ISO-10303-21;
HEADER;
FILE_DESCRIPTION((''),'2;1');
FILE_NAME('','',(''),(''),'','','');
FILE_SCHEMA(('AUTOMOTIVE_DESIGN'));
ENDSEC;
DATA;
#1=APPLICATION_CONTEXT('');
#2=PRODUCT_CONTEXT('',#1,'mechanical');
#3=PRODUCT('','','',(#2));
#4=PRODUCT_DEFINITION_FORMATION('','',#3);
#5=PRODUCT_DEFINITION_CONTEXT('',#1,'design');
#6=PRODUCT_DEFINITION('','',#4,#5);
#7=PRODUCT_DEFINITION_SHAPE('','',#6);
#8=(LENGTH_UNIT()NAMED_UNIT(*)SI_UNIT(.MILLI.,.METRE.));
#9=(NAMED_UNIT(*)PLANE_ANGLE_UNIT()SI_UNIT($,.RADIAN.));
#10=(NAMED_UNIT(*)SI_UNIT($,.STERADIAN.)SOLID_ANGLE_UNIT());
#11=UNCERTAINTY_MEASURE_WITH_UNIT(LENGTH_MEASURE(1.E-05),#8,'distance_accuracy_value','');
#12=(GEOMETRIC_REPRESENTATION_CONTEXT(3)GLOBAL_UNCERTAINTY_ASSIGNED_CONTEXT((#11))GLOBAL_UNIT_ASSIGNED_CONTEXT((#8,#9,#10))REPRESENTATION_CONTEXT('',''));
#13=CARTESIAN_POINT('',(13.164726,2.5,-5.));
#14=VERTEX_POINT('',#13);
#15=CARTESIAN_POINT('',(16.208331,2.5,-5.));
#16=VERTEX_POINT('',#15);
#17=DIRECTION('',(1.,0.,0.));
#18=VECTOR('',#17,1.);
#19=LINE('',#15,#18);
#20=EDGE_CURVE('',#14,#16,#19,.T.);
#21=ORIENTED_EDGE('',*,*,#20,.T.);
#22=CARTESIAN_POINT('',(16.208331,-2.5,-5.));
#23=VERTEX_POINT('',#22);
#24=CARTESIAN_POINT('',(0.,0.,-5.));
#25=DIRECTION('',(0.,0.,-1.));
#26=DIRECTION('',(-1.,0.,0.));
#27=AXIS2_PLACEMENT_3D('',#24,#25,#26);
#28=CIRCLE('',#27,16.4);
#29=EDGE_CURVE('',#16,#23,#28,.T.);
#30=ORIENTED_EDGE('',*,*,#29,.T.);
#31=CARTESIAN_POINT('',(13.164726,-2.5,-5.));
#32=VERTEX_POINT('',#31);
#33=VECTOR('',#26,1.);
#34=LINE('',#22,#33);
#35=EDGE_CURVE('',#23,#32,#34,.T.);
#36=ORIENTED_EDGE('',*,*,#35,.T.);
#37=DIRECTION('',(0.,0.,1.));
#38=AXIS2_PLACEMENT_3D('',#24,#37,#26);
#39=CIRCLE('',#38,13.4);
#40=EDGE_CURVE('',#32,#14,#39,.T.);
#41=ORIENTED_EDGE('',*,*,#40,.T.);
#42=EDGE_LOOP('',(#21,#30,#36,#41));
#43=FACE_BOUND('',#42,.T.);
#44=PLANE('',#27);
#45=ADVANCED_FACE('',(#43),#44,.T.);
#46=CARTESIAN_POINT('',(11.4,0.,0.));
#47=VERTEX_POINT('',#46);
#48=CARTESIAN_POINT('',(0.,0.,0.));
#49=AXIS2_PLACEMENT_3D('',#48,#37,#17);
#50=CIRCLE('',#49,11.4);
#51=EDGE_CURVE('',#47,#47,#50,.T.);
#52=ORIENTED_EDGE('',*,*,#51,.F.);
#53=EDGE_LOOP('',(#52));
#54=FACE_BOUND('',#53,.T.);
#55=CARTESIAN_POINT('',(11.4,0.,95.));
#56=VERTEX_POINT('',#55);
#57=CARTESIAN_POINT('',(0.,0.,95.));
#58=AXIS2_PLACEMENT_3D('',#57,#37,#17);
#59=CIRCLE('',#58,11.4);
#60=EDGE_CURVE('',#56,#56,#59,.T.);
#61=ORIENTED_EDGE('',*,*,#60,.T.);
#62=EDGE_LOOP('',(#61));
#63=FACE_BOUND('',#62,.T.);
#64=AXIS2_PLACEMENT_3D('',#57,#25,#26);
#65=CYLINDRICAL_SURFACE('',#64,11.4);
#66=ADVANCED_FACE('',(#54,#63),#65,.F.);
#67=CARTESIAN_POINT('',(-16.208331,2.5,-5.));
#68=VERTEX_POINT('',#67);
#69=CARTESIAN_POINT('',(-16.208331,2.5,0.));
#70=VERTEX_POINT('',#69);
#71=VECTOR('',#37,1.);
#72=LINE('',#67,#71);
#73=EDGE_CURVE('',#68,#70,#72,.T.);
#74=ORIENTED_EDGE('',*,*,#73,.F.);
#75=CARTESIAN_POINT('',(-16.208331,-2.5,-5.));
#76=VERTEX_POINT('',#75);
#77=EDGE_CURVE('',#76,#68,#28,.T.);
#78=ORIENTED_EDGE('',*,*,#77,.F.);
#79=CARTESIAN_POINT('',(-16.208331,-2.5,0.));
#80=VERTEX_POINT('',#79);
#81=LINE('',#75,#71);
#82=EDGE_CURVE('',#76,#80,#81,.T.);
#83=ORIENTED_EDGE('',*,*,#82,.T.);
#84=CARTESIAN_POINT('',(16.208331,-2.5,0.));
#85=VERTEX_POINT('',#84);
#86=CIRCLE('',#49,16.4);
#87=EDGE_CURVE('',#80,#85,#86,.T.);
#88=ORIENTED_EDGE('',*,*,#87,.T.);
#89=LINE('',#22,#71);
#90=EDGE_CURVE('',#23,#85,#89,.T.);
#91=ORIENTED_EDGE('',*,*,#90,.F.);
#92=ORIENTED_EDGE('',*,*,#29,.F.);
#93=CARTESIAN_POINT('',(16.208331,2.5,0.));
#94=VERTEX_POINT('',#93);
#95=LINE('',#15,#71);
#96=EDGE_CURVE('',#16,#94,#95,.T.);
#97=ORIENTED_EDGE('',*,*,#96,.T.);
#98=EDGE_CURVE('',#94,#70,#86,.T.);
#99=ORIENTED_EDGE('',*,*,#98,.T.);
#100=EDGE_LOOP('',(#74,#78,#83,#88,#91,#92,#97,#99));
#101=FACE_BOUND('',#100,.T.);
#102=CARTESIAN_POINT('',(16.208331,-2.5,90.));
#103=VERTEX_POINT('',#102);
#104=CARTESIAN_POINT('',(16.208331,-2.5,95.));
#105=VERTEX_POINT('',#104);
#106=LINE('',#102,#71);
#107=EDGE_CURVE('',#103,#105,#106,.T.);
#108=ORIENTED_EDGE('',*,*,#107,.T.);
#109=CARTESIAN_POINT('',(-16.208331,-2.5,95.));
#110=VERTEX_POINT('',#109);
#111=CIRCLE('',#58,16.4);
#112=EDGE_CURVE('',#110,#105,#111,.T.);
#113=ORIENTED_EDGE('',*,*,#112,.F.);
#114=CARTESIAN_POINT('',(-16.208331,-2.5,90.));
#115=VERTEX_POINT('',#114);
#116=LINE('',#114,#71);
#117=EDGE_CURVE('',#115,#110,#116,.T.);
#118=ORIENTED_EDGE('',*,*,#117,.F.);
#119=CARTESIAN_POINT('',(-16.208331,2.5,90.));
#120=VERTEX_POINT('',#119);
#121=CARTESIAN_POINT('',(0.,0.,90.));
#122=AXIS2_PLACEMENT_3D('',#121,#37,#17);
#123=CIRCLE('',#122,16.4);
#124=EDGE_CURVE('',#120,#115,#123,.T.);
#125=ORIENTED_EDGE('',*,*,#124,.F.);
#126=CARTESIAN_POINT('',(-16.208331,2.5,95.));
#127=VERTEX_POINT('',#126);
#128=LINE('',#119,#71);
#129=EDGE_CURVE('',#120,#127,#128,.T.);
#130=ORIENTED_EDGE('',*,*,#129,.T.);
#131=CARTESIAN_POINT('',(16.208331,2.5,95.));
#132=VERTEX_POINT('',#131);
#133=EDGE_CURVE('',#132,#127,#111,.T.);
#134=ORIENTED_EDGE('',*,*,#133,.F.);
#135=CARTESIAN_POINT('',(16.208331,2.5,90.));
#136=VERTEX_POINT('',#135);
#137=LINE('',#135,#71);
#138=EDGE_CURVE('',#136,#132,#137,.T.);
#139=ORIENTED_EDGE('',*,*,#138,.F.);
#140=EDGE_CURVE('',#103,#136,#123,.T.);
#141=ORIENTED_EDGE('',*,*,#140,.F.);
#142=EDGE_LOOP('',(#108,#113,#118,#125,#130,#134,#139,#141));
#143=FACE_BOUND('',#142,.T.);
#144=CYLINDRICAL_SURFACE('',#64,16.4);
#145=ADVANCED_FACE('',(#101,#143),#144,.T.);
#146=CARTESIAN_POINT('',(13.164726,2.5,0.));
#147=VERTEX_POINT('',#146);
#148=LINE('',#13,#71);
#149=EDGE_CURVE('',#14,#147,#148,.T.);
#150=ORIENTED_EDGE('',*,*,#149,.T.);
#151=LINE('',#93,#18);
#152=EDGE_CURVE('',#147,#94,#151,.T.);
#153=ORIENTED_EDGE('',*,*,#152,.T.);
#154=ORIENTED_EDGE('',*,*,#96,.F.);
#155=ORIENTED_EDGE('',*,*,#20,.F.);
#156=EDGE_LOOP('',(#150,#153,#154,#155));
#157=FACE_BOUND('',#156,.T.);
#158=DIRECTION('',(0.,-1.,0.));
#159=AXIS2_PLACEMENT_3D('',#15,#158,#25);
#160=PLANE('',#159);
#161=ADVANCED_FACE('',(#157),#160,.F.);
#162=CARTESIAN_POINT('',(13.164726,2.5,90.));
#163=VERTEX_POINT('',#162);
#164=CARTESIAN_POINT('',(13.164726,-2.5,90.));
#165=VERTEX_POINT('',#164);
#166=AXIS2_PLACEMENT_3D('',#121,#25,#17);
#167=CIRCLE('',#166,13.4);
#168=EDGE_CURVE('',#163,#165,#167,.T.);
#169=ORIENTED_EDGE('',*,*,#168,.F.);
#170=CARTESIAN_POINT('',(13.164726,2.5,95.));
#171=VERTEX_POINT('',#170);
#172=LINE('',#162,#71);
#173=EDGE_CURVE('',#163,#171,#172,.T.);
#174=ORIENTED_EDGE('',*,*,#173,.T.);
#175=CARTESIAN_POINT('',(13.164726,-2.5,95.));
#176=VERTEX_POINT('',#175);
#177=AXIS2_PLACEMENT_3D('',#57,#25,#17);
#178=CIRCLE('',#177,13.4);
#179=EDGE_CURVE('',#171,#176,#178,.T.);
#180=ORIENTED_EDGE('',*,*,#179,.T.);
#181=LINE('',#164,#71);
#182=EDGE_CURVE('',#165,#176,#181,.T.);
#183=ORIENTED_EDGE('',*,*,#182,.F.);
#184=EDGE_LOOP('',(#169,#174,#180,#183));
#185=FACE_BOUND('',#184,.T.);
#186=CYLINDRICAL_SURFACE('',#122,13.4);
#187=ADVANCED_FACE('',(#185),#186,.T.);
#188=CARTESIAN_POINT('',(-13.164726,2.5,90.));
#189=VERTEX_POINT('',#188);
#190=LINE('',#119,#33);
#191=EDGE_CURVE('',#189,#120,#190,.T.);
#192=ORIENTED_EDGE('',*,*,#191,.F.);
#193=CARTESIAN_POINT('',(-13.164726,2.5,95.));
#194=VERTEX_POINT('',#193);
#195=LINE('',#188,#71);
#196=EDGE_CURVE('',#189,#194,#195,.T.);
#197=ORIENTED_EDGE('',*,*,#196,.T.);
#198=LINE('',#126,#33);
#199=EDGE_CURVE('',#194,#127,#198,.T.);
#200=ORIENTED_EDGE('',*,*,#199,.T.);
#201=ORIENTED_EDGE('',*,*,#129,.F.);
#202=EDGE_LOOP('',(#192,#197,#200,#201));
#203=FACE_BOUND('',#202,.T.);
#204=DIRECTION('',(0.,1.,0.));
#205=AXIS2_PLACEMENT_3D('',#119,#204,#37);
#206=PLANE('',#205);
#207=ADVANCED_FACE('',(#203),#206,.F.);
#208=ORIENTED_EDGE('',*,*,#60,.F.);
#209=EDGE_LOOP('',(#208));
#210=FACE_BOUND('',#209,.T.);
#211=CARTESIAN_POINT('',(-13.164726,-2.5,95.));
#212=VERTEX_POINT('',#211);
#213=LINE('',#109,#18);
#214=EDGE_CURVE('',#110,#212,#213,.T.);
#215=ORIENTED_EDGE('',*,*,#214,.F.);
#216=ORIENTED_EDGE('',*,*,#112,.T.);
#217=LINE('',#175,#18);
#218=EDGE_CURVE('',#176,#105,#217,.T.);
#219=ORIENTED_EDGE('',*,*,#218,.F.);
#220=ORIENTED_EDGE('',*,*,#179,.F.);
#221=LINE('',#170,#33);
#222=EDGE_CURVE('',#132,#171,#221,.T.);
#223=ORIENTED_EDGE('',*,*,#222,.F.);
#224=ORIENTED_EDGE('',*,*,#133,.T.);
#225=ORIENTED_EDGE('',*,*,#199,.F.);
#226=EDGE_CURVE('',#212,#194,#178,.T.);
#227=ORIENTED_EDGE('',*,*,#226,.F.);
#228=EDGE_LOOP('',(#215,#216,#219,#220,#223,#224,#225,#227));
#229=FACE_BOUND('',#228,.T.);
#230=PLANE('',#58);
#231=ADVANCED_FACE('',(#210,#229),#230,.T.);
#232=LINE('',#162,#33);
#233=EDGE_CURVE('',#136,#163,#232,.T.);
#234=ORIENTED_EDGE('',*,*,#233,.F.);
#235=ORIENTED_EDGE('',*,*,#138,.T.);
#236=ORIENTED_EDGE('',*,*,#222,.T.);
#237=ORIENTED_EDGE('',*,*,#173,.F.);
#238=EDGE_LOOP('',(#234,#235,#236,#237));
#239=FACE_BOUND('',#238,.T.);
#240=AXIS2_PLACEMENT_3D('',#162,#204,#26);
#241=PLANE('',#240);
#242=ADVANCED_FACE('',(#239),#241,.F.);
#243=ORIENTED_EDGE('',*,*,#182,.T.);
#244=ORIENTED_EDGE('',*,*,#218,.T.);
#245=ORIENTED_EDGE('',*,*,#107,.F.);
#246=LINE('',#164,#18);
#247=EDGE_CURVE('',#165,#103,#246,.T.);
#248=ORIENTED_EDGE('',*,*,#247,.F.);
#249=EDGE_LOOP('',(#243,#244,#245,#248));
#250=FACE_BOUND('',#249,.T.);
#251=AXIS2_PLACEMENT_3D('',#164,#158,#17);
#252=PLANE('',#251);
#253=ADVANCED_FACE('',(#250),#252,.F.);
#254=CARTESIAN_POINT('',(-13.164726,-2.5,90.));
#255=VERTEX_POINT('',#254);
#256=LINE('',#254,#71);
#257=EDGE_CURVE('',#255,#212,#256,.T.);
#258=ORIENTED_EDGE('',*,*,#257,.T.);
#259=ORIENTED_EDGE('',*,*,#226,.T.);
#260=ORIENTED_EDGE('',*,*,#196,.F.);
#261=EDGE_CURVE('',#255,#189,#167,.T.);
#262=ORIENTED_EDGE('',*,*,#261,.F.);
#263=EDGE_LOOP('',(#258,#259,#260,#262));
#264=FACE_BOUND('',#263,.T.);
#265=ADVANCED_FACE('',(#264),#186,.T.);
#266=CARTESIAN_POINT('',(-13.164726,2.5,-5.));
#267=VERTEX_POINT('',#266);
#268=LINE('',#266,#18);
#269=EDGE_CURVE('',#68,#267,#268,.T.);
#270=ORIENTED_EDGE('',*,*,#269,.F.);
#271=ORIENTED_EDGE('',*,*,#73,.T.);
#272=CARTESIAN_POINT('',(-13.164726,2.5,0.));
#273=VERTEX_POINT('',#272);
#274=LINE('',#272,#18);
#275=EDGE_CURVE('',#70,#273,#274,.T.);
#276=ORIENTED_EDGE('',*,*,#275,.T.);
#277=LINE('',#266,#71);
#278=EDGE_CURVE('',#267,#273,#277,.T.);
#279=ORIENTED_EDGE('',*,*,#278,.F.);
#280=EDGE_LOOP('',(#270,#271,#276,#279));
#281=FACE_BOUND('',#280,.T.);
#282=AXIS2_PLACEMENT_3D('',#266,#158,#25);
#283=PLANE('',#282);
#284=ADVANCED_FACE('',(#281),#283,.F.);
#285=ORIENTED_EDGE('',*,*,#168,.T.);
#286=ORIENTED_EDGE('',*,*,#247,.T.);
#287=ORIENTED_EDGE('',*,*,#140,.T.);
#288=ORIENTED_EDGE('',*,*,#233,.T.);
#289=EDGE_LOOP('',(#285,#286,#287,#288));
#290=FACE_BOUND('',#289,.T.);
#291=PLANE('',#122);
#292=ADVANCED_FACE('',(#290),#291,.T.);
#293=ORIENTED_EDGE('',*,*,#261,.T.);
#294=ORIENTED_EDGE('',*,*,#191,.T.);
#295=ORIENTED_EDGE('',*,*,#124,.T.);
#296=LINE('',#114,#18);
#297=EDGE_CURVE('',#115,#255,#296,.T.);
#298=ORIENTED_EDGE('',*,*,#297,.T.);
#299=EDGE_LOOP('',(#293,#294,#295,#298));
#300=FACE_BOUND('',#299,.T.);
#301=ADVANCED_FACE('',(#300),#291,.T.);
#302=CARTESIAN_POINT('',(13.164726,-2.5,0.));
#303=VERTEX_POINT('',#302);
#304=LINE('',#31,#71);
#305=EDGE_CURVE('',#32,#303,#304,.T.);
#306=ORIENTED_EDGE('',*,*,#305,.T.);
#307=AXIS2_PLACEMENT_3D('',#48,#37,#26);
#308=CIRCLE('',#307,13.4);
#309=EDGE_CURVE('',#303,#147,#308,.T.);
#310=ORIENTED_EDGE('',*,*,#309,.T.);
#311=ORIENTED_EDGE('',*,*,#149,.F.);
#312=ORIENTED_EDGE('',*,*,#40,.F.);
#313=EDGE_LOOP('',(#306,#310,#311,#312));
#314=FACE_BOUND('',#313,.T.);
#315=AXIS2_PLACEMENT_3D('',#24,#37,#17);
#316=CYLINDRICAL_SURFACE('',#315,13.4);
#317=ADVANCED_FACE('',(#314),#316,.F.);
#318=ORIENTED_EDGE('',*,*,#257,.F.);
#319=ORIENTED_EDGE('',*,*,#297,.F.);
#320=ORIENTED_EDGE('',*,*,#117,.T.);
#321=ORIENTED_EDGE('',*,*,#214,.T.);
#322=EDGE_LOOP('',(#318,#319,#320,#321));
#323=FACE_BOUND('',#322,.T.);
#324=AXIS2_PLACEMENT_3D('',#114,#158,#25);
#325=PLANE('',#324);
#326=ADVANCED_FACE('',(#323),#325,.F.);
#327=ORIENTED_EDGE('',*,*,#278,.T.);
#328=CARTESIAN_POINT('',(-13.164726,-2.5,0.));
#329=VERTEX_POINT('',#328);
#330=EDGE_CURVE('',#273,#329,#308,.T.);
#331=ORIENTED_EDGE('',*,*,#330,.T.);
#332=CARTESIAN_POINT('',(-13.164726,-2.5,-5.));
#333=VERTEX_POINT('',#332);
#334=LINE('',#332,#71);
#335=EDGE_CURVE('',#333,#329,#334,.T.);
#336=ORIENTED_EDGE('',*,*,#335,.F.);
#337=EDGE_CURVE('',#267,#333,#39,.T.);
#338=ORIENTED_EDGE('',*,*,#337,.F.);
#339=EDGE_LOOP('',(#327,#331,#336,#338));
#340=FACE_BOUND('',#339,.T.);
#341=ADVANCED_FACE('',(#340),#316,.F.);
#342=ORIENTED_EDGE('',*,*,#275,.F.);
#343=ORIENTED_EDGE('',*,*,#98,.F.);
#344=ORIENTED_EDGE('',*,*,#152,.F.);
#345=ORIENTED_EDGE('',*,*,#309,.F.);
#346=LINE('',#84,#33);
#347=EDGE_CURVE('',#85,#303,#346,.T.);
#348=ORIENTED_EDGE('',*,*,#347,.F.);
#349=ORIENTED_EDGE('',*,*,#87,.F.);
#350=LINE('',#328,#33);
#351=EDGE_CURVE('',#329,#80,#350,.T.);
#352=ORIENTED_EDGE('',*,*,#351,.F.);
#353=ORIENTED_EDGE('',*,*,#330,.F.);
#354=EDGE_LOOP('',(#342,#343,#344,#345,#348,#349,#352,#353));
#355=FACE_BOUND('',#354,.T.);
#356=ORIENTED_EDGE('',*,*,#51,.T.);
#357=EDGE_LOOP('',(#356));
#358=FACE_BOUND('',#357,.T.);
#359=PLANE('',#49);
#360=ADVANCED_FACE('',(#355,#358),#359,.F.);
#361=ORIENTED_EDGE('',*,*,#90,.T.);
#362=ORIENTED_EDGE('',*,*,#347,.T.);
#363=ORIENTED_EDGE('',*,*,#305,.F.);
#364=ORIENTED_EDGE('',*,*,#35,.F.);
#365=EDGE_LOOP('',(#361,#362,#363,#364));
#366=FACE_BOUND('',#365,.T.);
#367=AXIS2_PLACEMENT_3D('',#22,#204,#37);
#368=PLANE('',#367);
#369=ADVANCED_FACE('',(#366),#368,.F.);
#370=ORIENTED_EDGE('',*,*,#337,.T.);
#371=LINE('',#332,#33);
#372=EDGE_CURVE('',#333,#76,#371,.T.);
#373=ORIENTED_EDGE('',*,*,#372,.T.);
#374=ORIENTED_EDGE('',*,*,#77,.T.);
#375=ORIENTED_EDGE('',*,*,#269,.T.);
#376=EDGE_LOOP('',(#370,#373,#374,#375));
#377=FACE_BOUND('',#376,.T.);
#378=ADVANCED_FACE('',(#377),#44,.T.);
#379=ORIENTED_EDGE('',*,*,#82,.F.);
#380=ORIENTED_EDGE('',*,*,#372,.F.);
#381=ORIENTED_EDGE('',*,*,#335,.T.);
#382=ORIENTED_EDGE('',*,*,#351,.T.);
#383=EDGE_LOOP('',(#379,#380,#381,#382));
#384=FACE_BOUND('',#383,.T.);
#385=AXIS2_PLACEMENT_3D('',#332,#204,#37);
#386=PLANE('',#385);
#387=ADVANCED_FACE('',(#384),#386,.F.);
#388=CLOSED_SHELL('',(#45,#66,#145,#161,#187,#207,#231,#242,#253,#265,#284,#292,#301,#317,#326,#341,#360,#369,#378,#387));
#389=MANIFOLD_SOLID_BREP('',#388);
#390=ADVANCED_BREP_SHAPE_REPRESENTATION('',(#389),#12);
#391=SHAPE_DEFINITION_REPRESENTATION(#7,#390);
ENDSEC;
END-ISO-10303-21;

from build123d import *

# Parameters (mm, degrees)
SKETCH1_R           = 16.4
SKETCH1_R_2         = 11.4
BOSS_EXTRUDE1_DEPTH = 95
BOSS_EXTRUDE2_START = 5
BOSS_EXTRUDE2_DEPTH = 5
CUT_EXTRUDE1_START  = -5
CUT_EXTRUDE1_DEPTH  = 5


with BuildPart() as part:
    # Sketch1 → Boss-Extrude1 (new body)
    with BuildSketch(Plane.XY):
        Circle(SKETCH1_R)
        Circle(SKETCH1_R_2, mode=Mode.SUBTRACT)
    extrude(amount=BOSS_EXTRUDE1_DEPTH)

    # Sketch3 → Boss-Extrude2 (add)
    with BuildSketch(Plane(origin=(0, 0, 0), x_dir=(-1, 0, 0), z_dir=(0, 0, -1)).offset(BOSS_EXTRUDE2_START)):
        with BuildLine():
            Line((13.164725595, 2.5), (16.208331191, 2.5))
            ThreePointArc((16.208331191, 2.5), (16.4, 0), (16.208331191, -2.5))
            Line((16.208331191, -2.5), (13.164725595, -2.5))
            ThreePointArc((13.164725595, -2.5), (13.4, 0), (13.164725595, 2.5))
        make_face()
        with BuildLine():
            Line((-16.208331191, 2.5), (-13.164725595, 2.5))
            ThreePointArc((-13.164725595, 2.5), (-13.4, 0), (-13.164725595, -2.5))
            Line((-13.164725595, -2.5), (-16.208331191, -2.5))
            ThreePointArc((-16.208331191, -2.5), (-16.4, 0), (-16.208331191, 2.5))
        make_face()
    extrude(amount=-BOSS_EXTRUDE2_DEPTH)

    # Sketch4 → Cut-Extrude1 (cut)
    with BuildSketch(Plane.XY.offset(95).offset(CUT_EXTRUDE1_START)):
        with BuildLine():
            Line((13.164725595, 2.5), (16.208331191, 2.5))
            ThreePointArc((16.208331191, 2.5), (16.4, 0), (16.208331191, -2.5))
            Line((16.208331191, -2.5), (13.164725595, -2.5))
            ThreePointArc((13.164725595, -2.5), (13.4, 0), (13.164725595, 2.5))
        make_face()
        with BuildLine():
            Line((-16.208331191, 2.5), (-13.164725595, 2.5))
            ThreePointArc((-13.164725595, 2.5), (-13.4, 0), (-13.164725595, -2.5))
            Line((-13.164725595, -2.5), (-16.208331191, -2.5))
            ThreePointArc((-16.208331191, -2.5), (-16.4, 0), (-16.208331191, 2.5))
        make_face()
    extrude(amount=CUT_EXTRUDE1_DEPTH, mode=Mode.SUBTRACT)


solid = part.part
